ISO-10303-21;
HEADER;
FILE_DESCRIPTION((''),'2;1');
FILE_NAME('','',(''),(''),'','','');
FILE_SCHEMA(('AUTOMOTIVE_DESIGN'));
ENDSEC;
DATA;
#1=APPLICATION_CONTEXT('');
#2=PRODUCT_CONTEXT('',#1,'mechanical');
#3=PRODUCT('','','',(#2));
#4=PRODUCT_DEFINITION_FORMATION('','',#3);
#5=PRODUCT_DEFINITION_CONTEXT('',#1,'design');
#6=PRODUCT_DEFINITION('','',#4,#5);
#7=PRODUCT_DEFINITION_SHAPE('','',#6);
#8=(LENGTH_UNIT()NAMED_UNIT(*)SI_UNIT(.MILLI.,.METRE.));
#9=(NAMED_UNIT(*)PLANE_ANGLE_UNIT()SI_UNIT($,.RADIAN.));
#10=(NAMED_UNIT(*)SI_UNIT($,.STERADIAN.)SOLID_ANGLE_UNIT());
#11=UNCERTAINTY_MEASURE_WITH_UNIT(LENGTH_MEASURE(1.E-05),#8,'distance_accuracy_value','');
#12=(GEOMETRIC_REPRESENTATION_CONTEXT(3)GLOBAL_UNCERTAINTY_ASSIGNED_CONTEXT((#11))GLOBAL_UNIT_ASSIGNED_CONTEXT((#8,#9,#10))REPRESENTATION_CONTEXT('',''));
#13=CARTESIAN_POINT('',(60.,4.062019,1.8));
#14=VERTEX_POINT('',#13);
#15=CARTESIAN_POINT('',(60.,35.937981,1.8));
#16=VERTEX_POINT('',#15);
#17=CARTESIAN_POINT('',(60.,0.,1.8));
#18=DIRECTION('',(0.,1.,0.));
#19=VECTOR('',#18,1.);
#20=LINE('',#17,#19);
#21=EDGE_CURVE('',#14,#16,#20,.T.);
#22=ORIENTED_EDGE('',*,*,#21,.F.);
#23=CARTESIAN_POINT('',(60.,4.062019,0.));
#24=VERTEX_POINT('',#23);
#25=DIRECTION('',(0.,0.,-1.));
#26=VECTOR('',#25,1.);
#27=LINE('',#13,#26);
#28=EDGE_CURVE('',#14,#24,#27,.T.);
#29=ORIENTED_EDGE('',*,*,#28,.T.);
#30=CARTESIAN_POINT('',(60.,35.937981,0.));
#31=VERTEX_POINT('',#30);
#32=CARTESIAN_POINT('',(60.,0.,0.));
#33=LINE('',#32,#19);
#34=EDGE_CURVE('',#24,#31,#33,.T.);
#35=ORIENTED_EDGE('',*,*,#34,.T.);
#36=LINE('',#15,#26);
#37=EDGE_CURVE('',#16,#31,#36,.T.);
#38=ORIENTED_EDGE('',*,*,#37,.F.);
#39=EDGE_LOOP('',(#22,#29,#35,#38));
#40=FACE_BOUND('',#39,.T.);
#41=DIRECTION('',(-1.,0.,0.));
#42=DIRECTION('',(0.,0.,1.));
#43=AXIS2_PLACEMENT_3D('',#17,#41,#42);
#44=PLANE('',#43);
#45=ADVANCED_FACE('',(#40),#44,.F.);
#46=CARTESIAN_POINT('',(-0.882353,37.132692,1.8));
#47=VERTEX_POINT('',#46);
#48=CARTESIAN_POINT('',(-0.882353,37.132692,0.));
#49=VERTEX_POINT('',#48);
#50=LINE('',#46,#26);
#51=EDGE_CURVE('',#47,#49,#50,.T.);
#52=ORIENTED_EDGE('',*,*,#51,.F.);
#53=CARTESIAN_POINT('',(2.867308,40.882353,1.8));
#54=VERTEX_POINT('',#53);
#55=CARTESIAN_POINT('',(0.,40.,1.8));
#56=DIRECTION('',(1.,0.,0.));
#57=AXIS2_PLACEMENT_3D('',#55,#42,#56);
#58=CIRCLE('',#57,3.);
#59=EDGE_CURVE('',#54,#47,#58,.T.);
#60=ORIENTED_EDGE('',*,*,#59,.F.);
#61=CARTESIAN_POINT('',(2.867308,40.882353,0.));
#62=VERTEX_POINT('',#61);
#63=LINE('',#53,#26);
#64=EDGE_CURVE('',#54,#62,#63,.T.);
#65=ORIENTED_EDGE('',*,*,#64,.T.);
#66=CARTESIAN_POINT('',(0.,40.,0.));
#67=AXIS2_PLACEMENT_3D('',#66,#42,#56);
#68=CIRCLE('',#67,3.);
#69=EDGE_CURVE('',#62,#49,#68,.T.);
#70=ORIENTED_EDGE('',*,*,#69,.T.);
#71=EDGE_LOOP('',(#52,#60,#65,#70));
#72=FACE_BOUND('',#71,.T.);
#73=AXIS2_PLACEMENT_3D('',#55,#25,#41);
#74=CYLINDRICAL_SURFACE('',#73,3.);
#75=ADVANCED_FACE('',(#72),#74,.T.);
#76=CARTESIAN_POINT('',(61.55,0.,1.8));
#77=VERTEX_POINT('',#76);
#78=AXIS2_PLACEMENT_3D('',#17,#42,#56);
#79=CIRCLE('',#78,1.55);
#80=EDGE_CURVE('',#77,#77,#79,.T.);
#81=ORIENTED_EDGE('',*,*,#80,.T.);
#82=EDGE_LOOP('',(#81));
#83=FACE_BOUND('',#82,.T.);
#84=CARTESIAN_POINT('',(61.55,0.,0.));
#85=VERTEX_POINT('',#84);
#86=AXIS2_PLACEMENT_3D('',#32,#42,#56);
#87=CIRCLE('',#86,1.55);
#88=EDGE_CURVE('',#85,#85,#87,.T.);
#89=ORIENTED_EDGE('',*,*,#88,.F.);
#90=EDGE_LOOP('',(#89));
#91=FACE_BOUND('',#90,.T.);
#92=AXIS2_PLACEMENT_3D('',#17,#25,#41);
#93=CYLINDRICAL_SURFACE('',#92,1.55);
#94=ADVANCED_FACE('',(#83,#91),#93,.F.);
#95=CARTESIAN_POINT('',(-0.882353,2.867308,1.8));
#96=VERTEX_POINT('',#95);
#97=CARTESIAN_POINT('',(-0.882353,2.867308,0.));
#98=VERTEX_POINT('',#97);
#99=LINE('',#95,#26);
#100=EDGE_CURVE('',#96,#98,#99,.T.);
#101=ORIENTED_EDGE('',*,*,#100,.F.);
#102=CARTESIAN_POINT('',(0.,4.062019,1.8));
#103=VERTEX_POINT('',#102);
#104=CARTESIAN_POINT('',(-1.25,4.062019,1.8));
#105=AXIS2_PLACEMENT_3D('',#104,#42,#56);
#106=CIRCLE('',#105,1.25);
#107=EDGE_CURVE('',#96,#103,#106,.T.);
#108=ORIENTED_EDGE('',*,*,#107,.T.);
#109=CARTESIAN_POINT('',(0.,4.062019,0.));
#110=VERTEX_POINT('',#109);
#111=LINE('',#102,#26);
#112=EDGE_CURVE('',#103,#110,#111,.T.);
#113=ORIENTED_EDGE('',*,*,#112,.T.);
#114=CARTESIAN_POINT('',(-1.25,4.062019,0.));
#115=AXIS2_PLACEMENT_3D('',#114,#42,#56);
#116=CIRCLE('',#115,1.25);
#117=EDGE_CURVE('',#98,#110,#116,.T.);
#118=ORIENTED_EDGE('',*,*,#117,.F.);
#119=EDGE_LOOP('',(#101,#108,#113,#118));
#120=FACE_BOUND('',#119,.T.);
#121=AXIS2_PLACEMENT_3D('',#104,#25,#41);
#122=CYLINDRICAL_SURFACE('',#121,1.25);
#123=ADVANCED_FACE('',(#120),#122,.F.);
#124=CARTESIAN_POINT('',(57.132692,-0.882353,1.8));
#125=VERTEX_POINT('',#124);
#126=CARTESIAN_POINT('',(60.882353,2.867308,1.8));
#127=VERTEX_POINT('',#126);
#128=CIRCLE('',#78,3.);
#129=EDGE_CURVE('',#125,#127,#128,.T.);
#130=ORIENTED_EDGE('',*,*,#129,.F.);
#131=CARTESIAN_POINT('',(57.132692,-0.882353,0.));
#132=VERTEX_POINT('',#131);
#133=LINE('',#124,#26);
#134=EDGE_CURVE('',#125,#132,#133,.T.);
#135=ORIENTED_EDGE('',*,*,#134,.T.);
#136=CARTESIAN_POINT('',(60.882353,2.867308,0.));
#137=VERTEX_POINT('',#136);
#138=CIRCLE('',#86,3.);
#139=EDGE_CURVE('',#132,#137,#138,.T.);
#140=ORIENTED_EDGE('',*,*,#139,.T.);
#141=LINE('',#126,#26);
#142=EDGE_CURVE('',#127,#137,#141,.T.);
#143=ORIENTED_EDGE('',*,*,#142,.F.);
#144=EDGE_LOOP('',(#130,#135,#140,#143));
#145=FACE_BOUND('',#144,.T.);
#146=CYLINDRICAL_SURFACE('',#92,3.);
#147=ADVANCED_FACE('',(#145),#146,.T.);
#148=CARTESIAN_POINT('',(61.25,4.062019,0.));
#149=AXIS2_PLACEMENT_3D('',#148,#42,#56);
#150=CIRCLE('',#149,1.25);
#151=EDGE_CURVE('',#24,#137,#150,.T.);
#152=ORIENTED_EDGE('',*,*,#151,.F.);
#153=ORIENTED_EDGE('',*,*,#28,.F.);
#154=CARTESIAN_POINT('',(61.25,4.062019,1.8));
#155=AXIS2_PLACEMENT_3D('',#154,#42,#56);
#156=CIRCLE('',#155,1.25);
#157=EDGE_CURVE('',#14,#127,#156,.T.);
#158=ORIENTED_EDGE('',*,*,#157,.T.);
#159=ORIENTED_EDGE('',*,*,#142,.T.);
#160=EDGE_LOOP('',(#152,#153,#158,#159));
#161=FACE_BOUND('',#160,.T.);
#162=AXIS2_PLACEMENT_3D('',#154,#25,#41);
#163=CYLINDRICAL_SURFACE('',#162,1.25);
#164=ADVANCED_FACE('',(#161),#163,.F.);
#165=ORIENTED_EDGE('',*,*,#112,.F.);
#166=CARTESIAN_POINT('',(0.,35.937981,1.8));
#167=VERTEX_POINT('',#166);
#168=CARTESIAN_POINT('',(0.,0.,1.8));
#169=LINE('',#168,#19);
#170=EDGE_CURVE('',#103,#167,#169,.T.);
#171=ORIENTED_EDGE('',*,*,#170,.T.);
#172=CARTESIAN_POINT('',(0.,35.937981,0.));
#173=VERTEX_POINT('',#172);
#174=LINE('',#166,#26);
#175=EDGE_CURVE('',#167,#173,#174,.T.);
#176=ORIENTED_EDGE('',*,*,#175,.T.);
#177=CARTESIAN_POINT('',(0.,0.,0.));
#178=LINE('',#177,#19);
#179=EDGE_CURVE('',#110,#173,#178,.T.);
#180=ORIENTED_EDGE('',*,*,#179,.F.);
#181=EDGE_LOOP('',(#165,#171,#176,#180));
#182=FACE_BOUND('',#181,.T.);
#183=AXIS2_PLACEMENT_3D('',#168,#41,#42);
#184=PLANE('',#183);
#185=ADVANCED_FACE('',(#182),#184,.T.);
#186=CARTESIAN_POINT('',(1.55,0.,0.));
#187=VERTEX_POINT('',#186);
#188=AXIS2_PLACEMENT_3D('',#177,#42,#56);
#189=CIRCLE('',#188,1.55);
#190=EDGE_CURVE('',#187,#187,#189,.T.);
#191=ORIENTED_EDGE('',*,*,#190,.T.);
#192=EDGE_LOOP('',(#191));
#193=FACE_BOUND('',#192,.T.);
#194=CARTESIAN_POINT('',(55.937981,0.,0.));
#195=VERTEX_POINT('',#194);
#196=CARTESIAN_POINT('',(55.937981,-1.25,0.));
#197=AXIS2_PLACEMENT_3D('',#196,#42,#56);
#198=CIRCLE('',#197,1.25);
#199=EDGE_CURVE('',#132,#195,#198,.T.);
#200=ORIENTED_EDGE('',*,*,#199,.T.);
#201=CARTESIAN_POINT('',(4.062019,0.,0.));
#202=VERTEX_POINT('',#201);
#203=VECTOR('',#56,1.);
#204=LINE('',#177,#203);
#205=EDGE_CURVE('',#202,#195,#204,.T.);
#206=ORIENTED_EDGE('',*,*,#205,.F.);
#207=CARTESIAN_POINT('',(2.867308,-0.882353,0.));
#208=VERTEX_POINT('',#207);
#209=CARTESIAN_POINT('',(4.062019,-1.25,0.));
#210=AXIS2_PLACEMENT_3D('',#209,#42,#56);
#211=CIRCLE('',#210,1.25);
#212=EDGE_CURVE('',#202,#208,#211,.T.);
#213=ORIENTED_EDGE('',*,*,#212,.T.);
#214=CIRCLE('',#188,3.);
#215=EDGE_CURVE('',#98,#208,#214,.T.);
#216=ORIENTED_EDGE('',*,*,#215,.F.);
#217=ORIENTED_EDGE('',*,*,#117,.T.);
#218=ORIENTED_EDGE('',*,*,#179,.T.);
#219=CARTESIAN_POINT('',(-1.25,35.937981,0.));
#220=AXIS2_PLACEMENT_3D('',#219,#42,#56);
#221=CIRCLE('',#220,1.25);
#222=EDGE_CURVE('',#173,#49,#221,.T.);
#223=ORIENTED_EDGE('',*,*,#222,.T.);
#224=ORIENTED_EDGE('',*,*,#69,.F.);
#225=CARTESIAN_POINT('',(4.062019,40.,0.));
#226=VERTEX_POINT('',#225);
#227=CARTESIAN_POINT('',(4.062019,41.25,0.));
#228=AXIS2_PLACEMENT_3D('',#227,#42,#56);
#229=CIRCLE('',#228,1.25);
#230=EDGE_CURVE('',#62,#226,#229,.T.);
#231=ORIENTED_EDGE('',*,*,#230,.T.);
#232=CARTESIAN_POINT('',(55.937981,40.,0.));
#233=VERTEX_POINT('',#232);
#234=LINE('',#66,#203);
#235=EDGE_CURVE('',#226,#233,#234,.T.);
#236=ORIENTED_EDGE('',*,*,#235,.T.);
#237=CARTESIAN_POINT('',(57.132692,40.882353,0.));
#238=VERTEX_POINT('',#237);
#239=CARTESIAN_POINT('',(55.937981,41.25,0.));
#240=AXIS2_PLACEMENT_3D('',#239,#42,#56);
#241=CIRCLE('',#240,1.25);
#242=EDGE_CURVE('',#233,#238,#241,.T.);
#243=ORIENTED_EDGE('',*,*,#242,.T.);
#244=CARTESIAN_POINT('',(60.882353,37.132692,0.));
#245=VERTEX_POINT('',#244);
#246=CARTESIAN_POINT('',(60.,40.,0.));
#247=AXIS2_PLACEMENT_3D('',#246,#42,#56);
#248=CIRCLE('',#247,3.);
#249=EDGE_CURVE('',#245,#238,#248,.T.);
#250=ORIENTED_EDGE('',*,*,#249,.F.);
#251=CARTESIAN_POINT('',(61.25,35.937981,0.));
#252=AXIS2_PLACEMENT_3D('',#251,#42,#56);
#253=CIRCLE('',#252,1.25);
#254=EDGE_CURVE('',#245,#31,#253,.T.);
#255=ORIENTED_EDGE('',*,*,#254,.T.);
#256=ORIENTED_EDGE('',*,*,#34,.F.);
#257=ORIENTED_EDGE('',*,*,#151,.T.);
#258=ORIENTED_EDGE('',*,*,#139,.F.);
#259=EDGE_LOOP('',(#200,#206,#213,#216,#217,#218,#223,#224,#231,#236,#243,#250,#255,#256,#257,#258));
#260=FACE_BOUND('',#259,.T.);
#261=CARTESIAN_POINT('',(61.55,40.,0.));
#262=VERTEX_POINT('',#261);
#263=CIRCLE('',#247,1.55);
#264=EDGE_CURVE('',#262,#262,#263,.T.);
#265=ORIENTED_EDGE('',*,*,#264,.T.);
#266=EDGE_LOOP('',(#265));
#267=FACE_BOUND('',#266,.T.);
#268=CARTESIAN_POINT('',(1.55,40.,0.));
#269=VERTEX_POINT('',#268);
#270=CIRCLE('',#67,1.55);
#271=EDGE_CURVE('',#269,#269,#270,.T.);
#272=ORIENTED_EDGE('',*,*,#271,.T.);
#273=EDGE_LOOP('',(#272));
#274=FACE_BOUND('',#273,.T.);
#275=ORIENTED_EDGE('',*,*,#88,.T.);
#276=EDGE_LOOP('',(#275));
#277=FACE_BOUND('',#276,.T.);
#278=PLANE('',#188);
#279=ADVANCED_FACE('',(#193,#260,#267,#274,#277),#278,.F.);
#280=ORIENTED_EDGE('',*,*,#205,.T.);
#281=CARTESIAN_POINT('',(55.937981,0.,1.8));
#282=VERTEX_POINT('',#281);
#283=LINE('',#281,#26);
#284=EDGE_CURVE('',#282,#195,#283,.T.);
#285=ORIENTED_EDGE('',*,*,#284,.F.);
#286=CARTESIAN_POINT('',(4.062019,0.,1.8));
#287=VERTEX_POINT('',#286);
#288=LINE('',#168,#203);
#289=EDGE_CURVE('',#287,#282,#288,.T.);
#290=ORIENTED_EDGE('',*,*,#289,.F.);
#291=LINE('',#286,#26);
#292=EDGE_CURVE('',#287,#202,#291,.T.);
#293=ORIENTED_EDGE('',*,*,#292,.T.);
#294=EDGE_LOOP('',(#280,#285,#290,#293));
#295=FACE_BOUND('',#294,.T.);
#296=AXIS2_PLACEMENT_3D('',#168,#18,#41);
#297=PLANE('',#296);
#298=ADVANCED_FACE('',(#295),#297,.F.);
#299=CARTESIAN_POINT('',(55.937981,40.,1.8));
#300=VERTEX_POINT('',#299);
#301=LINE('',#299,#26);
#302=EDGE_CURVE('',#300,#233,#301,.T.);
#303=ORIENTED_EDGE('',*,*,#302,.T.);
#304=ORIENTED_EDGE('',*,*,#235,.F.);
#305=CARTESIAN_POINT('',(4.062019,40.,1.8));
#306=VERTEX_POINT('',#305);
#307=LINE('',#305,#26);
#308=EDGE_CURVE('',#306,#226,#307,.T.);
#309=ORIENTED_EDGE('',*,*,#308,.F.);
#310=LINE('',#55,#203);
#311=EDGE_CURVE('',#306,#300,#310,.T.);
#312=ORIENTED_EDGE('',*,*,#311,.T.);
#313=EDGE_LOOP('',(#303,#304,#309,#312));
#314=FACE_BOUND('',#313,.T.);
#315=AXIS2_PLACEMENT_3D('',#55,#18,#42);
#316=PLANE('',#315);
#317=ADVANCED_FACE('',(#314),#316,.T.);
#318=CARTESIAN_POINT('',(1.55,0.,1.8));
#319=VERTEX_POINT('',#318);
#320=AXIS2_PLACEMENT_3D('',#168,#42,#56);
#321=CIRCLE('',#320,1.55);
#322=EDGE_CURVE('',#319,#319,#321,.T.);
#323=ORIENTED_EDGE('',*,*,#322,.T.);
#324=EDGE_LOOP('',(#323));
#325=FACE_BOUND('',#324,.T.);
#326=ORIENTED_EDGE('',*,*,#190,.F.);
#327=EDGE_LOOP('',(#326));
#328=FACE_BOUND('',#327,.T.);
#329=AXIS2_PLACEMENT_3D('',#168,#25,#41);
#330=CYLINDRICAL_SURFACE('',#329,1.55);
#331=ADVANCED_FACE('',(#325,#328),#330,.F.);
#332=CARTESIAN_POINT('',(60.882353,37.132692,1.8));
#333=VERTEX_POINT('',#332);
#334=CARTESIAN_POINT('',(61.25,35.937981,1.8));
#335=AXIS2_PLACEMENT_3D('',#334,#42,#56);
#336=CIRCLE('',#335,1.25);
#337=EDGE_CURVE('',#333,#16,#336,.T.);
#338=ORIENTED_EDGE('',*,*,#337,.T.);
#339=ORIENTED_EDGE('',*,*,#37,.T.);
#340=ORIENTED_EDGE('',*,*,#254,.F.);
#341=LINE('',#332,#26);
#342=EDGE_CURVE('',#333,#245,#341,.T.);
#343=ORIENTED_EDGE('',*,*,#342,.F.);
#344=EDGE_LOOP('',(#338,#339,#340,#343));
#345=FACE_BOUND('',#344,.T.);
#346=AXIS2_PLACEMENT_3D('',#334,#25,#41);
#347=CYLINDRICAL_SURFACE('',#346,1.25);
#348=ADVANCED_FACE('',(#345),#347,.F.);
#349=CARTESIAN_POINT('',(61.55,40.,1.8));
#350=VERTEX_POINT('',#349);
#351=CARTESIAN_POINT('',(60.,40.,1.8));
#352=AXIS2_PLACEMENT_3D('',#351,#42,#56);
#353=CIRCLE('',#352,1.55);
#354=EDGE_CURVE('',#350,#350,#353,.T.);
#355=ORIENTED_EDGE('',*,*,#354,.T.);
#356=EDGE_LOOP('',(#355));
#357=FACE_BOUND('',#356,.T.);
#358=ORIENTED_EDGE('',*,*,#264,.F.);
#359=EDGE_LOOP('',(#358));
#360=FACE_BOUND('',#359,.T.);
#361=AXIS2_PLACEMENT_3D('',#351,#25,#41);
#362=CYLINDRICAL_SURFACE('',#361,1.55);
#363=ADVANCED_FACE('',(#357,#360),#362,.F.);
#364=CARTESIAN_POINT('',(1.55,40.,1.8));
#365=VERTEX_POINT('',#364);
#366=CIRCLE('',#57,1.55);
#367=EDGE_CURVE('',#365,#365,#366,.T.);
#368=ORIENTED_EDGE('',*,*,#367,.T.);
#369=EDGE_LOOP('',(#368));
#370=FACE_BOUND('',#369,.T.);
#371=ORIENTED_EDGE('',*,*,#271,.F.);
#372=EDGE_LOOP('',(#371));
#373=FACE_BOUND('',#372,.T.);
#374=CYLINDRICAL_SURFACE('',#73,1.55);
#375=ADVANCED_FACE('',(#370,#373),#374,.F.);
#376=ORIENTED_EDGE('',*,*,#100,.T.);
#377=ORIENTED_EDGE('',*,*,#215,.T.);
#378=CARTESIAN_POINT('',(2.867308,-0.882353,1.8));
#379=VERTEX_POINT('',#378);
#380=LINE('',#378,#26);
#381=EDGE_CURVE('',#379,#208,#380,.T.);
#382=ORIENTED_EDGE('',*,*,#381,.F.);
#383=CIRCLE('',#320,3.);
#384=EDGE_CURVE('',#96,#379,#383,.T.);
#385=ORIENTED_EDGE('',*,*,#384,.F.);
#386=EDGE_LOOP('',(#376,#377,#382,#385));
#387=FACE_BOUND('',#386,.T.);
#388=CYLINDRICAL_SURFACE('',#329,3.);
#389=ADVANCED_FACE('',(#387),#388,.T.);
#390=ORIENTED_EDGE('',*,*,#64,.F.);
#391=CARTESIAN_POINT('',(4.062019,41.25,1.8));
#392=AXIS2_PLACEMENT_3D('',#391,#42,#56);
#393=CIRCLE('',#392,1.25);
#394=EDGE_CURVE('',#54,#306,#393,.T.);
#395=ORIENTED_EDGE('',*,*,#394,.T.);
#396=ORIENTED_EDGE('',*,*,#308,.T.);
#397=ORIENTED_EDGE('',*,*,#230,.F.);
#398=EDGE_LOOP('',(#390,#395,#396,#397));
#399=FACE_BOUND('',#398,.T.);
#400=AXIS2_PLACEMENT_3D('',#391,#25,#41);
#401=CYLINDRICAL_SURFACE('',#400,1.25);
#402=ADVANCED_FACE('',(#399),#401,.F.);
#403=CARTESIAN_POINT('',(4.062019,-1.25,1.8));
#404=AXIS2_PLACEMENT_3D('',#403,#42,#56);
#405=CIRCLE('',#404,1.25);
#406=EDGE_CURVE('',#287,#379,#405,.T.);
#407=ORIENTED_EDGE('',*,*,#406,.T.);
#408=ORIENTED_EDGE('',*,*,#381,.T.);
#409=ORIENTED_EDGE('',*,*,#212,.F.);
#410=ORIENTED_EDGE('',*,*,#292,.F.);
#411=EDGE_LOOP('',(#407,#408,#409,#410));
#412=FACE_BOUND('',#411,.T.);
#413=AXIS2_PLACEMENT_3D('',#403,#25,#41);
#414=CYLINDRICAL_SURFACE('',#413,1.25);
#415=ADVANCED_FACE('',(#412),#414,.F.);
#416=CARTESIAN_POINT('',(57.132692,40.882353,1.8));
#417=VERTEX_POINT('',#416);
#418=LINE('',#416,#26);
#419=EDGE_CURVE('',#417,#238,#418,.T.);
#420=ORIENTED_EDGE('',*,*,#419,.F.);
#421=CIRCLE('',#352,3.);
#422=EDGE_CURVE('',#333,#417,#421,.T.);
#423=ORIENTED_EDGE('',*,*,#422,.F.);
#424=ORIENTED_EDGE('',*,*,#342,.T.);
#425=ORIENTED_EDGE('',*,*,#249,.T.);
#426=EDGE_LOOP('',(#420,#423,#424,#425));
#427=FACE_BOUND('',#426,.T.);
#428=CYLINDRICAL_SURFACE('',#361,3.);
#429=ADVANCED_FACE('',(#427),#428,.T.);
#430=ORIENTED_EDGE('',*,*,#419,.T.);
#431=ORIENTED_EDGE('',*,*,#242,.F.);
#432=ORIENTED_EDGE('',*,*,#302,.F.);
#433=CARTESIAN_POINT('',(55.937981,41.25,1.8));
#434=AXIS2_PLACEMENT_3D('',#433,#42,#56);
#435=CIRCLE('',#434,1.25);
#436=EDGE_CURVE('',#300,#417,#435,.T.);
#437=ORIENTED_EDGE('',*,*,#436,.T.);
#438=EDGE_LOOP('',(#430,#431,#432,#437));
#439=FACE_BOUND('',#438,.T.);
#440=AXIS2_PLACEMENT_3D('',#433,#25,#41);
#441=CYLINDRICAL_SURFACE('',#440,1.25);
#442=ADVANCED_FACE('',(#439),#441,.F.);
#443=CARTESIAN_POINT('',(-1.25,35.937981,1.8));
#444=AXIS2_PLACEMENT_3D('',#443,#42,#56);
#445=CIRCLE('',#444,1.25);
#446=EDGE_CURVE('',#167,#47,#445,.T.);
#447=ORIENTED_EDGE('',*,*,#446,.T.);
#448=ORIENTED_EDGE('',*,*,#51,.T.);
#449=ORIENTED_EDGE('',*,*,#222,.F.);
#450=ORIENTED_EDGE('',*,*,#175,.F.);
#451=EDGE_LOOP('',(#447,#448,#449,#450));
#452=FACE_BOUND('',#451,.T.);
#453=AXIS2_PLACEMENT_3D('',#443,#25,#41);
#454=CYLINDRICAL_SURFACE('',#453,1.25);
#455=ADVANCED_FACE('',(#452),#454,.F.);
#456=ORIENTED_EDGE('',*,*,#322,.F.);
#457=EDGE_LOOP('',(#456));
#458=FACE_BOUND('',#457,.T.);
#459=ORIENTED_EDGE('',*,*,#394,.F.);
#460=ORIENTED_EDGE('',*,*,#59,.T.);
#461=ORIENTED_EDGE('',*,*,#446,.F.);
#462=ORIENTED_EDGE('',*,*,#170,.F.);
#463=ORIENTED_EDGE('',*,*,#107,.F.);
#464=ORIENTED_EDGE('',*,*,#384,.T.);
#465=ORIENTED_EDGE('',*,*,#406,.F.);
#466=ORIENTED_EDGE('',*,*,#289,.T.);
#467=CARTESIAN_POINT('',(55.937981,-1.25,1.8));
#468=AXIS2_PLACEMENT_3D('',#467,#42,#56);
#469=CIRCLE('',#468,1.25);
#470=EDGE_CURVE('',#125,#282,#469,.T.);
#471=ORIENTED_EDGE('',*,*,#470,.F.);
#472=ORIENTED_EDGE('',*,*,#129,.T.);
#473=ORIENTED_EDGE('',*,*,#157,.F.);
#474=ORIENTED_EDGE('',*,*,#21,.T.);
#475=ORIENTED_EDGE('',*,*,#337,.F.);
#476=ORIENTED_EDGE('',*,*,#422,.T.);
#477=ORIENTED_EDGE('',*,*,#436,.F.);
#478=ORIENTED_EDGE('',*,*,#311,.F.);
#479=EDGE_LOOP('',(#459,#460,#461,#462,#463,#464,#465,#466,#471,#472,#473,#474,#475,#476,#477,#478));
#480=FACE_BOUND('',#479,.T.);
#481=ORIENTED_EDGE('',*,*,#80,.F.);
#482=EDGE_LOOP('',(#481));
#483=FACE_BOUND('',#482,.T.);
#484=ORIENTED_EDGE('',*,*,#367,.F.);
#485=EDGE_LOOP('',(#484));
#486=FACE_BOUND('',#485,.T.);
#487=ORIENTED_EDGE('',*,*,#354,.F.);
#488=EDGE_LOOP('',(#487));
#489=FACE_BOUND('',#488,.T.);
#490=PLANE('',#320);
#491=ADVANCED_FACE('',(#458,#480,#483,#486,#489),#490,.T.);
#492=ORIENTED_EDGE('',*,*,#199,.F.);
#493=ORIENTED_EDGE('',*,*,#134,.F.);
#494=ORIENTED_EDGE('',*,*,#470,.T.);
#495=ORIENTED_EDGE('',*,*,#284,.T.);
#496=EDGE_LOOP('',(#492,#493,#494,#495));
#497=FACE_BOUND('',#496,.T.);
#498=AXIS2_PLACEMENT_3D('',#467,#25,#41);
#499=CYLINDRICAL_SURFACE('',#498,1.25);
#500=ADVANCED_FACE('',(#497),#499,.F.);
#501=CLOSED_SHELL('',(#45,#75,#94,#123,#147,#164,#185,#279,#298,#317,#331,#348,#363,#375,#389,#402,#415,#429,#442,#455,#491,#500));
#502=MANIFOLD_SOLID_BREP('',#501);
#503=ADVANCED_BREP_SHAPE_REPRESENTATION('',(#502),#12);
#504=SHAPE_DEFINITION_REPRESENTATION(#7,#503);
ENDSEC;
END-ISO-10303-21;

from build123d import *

# Parameters (mm, degrees)
SKETCH_1_R      = 1.55
EXTRUDE_1_DEPTH = 1.8


with BuildPart() as part:
    # 草图1 → 凸台-拉伸1 (new body)
    with BuildSketch(Plane.XY):
        with BuildLine():
            ThreePointArc((0, 35.937980798), (-0.244500417, 36.680591455), (-0.882352941, 37.132692328))
            ThreePointArc((-0.882352941, 37.132692328), (-2.121320344, 42.121320344), (2.867307672, 40.882352941))
            ThreePointArc((2.867307672, 40.882352941), (3.319408545, 40.244500417), (4.062019202, 40))
            Line((4.062019202, 40), (55.937980798, 40))
            ThreePointArc((55.937980798, 40), (56.680591455, 40.244500417), (57.132692328, 40.882352941))
            ThreePointArc((57.132692328, 40.882352941), (62.121320344, 42.121320344), (60.882352941, 37.132692328))
            ThreePointArc((60.882352941, 37.132692328), (60.244500417, 36.680591455), (60, 35.937980798))
            Line((60, 35.937980798), (60, 4.062019202))
            ThreePointArc((60, 4.062019202), (60.244500417, 3.319408545), (60.882352941, 2.867307672))
            ThreePointArc((60.882352941, 2.867307672), (62.121320344, -2.121320344), (57.132692328, -0.882352941))
            ThreePointArc((57.132692328, -0.882352941), (56.680591455, -0.244500417), (55.937980798, 0))
            Line((55.937980798, 0), (4.062019202, 0))
            ThreePointArc((4.062019202, 0), (3.319408545, -0.244500417), (2.867307672, -0.882352941))
            ThreePointArc((2.867307672, -0.882352941), (-2.121320344, -2.121320344), (-0.882352941, 2.867307672))
            ThreePointArc((-0.882352941, 2.867307672), (-0.244500417, 3.319408545), (0, 4.062019202))
            Line((0, 4.062019202), (0, 35.937980798))
        make_face()
        Circle(SKETCH_1_R, mode=Mode.SUBTRACT)
        with Locations((60, 0)):
            Circle(SKETCH_1_R, mode=Mode.SUBTRACT)
        with Locations((60, 40)):
            Circle(SKETCH_1_R, mode=Mode.SUBTRACT)
        with Locations((0, 40)):
            Circle(SKETCH_1_R, mode=Mode.SUBTRACT)
    extrude(amount=EXTRUDE_1_DEPTH)


solid = part.part
